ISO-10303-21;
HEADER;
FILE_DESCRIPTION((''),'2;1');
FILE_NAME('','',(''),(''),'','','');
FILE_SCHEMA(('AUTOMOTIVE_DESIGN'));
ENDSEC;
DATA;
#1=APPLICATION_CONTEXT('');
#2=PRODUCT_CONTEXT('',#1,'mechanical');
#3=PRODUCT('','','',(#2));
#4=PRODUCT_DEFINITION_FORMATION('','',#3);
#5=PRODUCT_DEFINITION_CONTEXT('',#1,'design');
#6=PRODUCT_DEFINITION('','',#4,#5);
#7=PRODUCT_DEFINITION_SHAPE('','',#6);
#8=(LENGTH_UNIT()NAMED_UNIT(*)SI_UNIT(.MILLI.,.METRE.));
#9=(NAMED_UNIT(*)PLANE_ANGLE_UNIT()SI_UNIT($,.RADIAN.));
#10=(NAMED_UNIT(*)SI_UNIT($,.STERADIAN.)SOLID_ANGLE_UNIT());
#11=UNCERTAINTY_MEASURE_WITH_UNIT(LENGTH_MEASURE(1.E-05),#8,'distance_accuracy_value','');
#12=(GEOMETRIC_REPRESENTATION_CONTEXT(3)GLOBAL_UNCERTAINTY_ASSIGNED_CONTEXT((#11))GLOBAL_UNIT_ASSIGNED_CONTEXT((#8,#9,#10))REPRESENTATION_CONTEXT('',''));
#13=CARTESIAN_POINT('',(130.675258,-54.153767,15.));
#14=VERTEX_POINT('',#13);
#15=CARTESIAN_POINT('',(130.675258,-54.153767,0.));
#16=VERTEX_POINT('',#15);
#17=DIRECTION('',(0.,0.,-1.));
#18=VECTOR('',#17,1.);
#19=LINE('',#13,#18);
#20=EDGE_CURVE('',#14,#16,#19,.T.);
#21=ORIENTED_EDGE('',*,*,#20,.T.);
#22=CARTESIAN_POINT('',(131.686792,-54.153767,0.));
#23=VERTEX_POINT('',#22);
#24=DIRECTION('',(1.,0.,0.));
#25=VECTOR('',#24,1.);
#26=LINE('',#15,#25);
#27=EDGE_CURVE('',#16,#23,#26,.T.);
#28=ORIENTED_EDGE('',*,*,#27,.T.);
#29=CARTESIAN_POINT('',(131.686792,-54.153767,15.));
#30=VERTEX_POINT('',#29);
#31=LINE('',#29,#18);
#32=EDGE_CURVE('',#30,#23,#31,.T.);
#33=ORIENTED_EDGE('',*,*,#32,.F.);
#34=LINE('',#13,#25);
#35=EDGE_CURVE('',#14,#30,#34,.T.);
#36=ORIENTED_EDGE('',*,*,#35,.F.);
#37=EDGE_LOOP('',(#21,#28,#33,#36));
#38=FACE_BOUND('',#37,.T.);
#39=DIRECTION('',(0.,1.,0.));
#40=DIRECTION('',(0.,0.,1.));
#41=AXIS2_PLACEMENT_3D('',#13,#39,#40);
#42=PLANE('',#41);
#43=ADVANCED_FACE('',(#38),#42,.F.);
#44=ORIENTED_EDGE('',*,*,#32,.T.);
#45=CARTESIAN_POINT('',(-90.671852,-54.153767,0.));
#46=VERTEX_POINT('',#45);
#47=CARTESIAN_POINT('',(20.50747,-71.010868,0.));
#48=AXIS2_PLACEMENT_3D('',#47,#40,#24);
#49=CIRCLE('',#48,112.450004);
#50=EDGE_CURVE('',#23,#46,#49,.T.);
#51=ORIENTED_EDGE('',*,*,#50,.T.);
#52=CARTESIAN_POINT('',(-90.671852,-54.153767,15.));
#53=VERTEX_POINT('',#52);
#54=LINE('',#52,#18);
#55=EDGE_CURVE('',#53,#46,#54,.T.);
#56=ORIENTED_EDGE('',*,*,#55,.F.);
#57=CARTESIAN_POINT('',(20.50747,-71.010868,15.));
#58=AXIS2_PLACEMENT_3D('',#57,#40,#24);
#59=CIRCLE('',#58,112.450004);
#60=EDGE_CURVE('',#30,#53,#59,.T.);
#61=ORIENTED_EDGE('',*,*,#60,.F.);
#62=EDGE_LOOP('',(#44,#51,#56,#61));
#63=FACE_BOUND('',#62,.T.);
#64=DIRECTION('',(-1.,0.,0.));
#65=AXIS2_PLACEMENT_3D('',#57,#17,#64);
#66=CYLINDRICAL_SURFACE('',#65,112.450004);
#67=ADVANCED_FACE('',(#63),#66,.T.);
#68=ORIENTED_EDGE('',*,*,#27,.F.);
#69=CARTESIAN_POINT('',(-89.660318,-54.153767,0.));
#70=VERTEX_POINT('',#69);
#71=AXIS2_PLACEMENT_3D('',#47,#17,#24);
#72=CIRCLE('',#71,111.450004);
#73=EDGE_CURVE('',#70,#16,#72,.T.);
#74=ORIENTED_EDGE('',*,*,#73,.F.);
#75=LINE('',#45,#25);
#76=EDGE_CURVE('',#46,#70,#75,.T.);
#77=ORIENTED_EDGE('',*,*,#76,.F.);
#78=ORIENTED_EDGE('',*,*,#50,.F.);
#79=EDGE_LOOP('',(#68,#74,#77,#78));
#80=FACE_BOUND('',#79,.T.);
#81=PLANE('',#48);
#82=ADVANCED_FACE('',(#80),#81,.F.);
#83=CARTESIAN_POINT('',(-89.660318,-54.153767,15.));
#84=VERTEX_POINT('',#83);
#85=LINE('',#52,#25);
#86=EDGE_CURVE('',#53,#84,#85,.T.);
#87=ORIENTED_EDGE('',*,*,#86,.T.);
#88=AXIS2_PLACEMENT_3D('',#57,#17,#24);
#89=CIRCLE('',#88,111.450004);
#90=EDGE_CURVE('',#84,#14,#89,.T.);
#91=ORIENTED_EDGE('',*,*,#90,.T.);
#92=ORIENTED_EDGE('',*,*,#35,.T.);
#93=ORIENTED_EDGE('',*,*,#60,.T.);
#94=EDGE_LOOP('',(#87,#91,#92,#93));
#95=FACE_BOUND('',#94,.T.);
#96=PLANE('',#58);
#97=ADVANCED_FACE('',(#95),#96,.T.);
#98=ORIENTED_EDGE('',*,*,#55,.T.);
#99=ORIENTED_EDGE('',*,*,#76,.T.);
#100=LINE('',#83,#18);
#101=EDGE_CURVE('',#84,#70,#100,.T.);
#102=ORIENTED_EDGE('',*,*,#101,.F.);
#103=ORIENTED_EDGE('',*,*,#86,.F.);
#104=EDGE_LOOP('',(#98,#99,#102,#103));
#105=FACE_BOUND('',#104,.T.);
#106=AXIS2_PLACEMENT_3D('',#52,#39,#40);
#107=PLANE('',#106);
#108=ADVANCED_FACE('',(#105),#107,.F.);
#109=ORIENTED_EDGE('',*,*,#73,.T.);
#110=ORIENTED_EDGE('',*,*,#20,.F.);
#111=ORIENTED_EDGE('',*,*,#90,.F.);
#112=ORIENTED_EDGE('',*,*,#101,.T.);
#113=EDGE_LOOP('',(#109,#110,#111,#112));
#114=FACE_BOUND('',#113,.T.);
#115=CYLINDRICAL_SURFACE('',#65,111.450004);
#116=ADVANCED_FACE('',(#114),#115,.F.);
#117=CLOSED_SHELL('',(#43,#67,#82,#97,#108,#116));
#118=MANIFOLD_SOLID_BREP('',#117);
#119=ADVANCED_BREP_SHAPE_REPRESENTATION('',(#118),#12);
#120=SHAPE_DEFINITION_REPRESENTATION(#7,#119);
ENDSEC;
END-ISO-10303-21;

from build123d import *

# Parameters (mm, degrees)
BOSS_EXTRUDE1_DEPTH = 15


with BuildPart() as part:
    # Sketch1 → Boss-Extrude1 (new body)
    with BuildSketch(Plane.XY):
        with BuildLine():
            Line((130.675258393, -54.153767369), (131.686791854, -54.153767369))
            ThreePointArc((131.686791854, -54.153767369), (20.507469998, 41.43913597), (-90.671851857, -54.153767369))
            Line((-90.671851857, -54.153767369), (-89.660318396, -54.153767369))
            ThreePointArc((-89.660318396, -54.153767369), (20.507469998, 40.43913597), (130.675258393, -54.153767369))
        make_face()
    extrude(amount=BOSS_EXTRUDE1_DEPTH)


solid = part.part
